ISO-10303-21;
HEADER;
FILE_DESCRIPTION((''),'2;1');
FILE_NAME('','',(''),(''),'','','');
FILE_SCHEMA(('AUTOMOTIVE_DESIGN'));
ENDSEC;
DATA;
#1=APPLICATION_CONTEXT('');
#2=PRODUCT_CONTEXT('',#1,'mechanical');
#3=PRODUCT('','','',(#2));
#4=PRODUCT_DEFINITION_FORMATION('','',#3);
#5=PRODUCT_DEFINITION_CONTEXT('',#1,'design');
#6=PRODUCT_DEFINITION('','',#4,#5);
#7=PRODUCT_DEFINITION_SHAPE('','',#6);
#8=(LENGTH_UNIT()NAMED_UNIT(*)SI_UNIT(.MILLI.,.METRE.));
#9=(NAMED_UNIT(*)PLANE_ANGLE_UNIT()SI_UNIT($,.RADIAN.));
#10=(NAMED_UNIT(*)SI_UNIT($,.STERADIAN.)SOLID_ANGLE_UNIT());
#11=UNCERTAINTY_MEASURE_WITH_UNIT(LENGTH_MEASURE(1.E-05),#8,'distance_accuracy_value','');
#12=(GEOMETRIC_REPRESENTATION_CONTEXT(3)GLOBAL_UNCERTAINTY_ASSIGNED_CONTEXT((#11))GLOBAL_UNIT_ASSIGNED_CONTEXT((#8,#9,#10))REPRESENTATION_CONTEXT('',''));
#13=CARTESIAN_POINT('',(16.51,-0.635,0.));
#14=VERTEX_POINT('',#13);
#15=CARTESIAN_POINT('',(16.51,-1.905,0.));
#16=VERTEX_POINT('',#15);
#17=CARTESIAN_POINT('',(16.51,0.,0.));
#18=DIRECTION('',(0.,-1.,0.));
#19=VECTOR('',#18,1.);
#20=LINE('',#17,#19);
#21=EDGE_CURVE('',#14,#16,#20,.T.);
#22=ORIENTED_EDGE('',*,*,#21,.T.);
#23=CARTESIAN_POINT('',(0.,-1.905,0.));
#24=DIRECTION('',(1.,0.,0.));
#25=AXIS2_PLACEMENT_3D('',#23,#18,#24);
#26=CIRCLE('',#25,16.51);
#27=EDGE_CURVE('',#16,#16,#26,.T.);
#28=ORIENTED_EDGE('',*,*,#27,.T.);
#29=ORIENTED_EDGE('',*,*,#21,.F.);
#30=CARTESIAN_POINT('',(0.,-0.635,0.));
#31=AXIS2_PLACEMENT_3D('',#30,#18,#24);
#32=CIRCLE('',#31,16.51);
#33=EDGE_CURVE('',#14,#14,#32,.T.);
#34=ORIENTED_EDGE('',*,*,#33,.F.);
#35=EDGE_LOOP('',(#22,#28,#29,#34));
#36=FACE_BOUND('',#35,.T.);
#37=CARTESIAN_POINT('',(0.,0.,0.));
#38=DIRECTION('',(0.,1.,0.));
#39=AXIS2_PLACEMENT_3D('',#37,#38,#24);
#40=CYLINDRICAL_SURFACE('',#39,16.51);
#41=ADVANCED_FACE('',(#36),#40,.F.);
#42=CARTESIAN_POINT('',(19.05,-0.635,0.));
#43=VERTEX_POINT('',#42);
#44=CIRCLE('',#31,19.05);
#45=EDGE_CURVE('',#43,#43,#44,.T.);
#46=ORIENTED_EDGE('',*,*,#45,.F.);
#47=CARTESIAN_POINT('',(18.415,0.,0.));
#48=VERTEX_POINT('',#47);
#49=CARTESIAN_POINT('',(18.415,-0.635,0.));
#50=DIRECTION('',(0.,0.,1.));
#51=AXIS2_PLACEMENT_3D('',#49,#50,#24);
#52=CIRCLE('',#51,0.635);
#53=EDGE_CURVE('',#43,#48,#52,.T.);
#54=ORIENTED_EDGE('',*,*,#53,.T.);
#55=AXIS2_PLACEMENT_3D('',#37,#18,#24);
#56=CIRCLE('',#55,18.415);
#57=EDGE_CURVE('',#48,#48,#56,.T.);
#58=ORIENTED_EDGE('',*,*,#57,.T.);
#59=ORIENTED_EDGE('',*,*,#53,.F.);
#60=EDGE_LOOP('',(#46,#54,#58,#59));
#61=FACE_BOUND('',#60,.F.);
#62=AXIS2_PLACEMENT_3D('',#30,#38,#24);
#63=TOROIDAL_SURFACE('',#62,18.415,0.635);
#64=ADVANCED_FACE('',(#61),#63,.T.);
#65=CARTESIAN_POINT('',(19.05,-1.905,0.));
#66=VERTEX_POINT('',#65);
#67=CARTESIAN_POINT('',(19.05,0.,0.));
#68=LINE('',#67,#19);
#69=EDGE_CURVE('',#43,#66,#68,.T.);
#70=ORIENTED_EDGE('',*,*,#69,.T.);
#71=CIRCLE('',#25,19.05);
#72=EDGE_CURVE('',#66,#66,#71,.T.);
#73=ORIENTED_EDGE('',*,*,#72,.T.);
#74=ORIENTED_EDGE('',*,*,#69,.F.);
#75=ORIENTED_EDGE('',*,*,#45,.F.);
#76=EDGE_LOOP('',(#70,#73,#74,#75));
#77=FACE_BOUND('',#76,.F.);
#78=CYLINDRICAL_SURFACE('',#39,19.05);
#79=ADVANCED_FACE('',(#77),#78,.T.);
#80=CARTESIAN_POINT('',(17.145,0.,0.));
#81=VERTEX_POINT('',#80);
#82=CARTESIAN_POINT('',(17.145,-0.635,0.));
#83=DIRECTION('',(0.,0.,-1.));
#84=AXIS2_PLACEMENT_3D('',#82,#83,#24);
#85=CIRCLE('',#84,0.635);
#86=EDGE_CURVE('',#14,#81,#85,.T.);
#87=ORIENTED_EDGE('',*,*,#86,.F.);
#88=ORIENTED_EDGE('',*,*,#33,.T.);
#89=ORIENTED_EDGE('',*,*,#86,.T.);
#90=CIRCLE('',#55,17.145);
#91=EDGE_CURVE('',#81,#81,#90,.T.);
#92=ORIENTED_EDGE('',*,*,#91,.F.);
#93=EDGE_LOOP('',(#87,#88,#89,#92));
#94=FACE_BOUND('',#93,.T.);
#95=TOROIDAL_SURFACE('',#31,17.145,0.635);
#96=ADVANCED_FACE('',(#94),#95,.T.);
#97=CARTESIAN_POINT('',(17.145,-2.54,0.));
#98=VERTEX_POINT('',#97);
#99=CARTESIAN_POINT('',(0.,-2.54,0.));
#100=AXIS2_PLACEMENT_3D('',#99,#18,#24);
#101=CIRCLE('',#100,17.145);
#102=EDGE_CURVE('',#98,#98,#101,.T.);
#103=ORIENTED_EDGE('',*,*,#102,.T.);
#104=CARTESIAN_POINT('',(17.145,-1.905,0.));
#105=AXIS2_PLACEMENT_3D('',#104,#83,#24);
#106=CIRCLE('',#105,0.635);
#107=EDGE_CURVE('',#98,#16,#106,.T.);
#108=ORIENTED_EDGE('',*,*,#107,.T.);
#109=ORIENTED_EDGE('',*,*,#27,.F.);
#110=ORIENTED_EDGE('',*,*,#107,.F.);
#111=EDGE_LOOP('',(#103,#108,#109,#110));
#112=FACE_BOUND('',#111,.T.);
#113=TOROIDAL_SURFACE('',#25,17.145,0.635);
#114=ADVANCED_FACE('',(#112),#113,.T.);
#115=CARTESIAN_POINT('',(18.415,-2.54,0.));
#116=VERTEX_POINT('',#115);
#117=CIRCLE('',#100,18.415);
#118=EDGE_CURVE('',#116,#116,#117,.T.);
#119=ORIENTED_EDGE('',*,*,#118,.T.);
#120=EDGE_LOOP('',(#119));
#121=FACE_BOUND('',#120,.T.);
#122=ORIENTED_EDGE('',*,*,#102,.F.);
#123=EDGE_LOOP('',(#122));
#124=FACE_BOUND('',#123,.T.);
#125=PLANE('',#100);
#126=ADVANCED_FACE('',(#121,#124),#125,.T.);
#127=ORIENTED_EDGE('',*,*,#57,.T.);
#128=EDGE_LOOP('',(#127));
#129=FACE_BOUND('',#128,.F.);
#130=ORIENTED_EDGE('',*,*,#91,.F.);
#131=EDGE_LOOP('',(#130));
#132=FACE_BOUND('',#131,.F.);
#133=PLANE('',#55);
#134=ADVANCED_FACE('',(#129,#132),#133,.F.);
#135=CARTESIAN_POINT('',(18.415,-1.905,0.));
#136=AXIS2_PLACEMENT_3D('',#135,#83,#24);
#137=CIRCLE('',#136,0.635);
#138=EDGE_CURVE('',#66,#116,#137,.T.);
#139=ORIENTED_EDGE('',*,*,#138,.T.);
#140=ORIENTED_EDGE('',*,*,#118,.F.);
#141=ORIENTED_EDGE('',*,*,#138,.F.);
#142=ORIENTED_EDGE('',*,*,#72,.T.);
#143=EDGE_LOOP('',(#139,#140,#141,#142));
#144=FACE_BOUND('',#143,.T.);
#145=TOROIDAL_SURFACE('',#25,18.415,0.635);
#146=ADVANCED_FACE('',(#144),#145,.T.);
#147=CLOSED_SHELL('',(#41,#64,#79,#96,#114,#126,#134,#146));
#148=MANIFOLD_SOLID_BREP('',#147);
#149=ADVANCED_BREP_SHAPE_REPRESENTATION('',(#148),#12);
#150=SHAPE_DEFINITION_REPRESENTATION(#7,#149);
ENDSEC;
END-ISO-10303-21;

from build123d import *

# Parameters (mm, degrees)
F0_R     = 19.05
F0_R_2   = 16.51
F1_DEPTH = 2.54
F2_R     = 0.635
F3_R     = 0.635


with BuildPart() as f1:
    # F0 (on Front) → F1 (new body)
    with BuildSketch(Plane.XZ):
        Circle(F0_R)
        Circle(F0_R_2, mode=Mode.SUBTRACT)
    extrude(amount=F1_DEPTH)

    # F2
    f2_edges = [f1.edges().sort_by_distance(p)[0] for p in [
        (-16.51, 0, 0),
        (-19.05, 0, 0),
    ]]
    fillet(f2_edges, radius=F2_R)

    # F3
    f3_edges = [f1.edges().sort_by_distance(p)[0] for p in [
        (-16.51, -2.54, 0),
        (-19.05, -2.54, 0),
    ]]
    fillet(f3_edges, radius=F3_R)


solid = f1.part
